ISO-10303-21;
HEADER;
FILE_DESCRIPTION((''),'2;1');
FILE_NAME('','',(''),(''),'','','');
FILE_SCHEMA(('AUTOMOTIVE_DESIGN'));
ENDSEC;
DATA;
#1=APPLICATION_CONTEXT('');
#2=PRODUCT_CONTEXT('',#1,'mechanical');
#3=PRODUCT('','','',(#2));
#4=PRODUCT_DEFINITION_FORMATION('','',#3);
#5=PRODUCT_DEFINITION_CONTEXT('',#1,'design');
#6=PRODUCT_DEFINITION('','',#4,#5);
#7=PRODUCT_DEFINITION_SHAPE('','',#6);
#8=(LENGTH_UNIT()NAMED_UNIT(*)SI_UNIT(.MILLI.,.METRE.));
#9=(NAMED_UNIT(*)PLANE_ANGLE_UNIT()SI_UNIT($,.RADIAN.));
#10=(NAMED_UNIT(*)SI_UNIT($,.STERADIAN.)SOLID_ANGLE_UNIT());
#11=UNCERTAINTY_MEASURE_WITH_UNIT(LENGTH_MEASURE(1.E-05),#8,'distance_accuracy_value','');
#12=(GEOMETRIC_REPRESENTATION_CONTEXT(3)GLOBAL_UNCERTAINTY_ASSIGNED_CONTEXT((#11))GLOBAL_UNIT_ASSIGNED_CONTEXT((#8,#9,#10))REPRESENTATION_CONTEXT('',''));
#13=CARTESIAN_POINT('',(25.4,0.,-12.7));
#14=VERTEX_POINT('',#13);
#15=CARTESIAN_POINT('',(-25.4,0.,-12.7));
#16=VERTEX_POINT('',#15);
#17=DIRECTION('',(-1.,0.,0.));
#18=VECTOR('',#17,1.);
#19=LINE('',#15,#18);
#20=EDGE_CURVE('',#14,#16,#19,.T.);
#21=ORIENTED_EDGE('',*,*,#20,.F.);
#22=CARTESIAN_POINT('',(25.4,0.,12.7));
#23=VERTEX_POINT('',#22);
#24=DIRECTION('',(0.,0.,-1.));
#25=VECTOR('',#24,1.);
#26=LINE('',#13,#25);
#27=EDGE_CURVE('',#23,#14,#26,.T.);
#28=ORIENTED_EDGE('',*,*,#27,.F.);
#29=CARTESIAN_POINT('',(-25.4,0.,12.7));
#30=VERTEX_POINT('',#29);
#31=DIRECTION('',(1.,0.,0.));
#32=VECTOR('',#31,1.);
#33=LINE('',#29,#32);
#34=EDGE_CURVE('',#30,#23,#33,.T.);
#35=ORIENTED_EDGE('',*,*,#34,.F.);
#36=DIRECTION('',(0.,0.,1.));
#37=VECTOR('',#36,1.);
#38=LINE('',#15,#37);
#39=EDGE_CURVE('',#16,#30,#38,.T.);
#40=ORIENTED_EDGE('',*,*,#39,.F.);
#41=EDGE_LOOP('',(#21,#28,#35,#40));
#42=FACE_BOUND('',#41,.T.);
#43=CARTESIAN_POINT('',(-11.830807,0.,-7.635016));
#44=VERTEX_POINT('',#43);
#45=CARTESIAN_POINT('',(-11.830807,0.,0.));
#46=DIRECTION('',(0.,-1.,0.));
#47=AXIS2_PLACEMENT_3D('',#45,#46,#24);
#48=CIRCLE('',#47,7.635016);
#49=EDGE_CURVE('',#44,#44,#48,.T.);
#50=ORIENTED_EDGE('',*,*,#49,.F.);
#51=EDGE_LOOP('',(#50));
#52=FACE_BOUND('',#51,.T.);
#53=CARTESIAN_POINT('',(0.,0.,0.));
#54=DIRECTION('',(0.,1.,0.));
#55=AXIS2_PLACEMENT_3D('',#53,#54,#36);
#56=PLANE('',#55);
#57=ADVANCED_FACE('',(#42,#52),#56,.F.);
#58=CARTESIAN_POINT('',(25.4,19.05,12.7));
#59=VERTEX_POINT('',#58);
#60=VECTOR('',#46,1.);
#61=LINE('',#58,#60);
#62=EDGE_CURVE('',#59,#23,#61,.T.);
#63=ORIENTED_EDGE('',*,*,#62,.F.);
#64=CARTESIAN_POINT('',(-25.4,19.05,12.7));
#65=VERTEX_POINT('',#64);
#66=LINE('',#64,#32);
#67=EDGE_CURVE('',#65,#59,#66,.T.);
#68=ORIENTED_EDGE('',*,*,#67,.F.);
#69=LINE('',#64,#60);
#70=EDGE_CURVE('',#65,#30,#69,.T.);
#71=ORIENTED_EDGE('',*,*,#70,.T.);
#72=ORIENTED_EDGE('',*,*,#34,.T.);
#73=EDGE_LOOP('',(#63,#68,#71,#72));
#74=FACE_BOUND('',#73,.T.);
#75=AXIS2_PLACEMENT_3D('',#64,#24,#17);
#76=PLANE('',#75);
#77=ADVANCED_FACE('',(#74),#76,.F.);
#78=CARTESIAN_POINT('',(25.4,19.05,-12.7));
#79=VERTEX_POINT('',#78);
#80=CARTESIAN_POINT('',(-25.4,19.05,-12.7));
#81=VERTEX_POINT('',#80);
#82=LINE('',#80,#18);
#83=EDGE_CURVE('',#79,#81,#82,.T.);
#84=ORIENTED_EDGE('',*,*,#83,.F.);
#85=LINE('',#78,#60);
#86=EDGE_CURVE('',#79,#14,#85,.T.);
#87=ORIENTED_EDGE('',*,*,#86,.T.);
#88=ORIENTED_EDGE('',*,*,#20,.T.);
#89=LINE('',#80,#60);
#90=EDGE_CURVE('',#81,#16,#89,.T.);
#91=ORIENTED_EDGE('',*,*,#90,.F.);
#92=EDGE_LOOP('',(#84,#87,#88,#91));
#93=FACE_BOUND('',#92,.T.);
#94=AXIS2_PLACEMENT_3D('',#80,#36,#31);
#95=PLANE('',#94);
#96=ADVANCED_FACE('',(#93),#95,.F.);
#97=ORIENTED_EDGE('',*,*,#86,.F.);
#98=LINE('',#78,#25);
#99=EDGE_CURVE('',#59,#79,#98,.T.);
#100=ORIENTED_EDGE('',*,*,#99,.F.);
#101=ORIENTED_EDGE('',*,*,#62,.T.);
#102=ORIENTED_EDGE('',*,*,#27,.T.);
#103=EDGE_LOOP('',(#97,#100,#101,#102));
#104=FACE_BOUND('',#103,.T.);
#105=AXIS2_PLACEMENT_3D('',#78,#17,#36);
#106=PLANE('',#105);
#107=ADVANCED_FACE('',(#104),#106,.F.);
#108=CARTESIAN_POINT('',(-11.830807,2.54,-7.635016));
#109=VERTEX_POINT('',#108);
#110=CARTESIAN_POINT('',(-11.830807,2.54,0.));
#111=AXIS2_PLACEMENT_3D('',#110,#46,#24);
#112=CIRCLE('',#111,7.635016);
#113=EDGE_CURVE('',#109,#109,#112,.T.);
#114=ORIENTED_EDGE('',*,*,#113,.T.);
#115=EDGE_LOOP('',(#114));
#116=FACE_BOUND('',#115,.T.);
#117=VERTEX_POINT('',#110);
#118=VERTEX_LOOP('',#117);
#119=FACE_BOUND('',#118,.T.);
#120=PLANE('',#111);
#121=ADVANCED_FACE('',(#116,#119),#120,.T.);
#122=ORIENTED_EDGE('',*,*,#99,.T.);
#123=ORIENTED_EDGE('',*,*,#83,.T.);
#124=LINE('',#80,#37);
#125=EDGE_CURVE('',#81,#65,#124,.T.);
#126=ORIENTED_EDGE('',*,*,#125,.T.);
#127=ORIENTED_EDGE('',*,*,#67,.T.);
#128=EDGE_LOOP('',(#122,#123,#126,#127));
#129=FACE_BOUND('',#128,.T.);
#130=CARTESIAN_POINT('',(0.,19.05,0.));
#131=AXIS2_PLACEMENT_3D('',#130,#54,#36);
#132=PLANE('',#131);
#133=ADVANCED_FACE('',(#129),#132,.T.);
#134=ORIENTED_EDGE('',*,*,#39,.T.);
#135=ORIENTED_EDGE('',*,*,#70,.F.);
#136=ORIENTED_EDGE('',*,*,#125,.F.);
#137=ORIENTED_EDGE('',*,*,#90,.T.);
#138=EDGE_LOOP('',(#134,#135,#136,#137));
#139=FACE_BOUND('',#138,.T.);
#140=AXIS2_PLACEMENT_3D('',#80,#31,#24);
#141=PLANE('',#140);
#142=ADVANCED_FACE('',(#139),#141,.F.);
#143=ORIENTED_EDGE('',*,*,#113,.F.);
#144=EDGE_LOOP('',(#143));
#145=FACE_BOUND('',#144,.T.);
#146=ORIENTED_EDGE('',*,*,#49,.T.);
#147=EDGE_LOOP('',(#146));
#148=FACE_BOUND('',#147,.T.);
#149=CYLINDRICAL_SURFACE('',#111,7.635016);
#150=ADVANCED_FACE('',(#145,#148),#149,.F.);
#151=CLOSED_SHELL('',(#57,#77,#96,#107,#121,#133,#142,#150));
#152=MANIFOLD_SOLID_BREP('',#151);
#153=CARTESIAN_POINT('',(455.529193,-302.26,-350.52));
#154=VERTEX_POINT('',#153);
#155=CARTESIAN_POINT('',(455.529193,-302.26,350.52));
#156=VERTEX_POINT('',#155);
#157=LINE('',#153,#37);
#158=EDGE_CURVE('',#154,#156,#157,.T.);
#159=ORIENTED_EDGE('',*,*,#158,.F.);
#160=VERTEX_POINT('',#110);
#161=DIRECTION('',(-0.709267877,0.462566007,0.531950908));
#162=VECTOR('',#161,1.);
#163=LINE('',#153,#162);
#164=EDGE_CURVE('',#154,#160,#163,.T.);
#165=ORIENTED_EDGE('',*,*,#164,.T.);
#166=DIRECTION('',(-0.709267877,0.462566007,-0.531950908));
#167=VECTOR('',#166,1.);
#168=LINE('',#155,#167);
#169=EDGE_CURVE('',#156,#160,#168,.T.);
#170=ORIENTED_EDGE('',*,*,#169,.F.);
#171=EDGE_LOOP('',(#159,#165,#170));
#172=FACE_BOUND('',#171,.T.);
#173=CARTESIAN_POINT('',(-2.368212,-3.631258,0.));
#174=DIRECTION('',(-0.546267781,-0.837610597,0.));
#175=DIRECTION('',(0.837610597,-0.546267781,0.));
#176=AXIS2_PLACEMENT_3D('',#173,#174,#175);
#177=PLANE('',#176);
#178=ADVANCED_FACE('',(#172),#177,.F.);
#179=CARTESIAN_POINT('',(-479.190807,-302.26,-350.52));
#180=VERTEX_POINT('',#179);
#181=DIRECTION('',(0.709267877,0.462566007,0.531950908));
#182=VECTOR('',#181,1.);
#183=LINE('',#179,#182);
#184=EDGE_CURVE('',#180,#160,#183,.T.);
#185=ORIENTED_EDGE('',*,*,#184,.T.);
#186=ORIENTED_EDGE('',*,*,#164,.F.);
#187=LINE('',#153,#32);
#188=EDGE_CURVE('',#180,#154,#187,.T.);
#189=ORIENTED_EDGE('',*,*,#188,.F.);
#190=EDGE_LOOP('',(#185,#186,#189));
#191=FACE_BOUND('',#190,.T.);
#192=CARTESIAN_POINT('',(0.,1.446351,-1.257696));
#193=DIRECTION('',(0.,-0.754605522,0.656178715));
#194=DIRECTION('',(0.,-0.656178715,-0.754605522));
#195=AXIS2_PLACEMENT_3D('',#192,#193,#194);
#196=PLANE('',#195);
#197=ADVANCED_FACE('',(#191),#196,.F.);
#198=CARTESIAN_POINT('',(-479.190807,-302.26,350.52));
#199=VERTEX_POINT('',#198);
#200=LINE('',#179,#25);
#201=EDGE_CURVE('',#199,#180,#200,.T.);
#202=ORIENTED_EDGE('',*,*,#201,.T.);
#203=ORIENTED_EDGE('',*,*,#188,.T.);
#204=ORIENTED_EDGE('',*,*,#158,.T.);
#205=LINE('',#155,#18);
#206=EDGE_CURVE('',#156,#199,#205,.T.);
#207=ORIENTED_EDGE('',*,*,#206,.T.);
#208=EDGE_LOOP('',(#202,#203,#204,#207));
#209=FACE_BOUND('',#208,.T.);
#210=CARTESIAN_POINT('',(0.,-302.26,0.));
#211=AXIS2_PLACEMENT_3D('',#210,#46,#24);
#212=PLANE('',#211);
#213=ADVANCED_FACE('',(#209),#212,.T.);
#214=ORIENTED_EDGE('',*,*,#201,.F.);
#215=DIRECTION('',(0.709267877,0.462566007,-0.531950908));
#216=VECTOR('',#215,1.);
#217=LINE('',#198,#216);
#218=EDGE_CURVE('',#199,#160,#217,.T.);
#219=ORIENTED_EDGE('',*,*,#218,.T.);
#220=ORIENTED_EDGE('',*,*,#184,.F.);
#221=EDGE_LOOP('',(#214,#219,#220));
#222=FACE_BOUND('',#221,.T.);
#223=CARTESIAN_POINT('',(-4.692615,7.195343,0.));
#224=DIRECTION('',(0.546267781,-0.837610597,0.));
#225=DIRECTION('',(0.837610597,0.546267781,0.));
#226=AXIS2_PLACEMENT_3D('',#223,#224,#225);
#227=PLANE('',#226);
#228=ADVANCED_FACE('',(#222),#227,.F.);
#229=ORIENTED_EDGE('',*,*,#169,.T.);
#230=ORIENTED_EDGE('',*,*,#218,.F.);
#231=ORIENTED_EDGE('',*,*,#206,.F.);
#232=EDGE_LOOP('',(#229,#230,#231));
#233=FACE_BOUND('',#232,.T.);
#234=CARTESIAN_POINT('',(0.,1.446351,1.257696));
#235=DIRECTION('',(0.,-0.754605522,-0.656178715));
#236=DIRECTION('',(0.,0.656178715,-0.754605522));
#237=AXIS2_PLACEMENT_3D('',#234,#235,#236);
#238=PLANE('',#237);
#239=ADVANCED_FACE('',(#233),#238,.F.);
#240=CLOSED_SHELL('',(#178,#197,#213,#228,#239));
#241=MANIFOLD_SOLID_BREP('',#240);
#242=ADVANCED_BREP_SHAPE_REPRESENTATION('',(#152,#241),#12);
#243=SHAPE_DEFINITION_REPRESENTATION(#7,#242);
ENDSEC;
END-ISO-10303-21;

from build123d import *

# Parameters (mm, degrees)
SKETCH1_W           = 50.8
SKETCH1_H           = 25.4
BOSS_EXTRUDE1_DEPTH = 19.05
SKETCH2_R           = 7.635016023
CUT_EXTRUDE1_DEPTH  = 2.54


with BuildPart() as part:
    # Sketch1 → Boss-Extrude1 (new body)
    with BuildSketch(Plane(origin=(0, 0, 0), x_dir=(1, 0, 0), z_dir=(0, 1, 0))):
        Rectangle(SKETCH1_W, SKETCH1_H)
    extrude(amount=BOSS_EXTRUDE1_DEPTH)

    # Sketch2 → Cut-Extrude1 (cut)
    with BuildSketch(Plane.XZ):
        with Locations(Location((-11.830806994, 0, 0), (0, 0, 270))):
            Circle(SKETCH2_R)
    extrude(amount=-CUT_EXTRUDE1_DEPTH, mode=Mode.SUBTRACT)


with BuildPart() as body_2:
    # Sketch4 → Loft1 section 0
    with BuildSketch(Plane(origin=(0, -302.26, 0), x_dir=(-1, 0, 0), z_dir=(0, -1, 0)), mode=Mode.PRIVATE) as loft1_s0:
        with BuildLine():
            Line((-455.529193006, 350.52), (479.190806994, 350.52))
            Line((479.190806994, 350.52), (479.190806994, -350.52))
            Line((479.190806994, -350.52), (-455.529193006, -350.52))
            Line((-455.529193006, -350.52), (-455.529193006, 350.52))
        make_face()
    loft([loft1_s0.sketch, Vertex(-11.830806994, 2.54, 0)])


solid = Compound([part.part, body_2.part])
